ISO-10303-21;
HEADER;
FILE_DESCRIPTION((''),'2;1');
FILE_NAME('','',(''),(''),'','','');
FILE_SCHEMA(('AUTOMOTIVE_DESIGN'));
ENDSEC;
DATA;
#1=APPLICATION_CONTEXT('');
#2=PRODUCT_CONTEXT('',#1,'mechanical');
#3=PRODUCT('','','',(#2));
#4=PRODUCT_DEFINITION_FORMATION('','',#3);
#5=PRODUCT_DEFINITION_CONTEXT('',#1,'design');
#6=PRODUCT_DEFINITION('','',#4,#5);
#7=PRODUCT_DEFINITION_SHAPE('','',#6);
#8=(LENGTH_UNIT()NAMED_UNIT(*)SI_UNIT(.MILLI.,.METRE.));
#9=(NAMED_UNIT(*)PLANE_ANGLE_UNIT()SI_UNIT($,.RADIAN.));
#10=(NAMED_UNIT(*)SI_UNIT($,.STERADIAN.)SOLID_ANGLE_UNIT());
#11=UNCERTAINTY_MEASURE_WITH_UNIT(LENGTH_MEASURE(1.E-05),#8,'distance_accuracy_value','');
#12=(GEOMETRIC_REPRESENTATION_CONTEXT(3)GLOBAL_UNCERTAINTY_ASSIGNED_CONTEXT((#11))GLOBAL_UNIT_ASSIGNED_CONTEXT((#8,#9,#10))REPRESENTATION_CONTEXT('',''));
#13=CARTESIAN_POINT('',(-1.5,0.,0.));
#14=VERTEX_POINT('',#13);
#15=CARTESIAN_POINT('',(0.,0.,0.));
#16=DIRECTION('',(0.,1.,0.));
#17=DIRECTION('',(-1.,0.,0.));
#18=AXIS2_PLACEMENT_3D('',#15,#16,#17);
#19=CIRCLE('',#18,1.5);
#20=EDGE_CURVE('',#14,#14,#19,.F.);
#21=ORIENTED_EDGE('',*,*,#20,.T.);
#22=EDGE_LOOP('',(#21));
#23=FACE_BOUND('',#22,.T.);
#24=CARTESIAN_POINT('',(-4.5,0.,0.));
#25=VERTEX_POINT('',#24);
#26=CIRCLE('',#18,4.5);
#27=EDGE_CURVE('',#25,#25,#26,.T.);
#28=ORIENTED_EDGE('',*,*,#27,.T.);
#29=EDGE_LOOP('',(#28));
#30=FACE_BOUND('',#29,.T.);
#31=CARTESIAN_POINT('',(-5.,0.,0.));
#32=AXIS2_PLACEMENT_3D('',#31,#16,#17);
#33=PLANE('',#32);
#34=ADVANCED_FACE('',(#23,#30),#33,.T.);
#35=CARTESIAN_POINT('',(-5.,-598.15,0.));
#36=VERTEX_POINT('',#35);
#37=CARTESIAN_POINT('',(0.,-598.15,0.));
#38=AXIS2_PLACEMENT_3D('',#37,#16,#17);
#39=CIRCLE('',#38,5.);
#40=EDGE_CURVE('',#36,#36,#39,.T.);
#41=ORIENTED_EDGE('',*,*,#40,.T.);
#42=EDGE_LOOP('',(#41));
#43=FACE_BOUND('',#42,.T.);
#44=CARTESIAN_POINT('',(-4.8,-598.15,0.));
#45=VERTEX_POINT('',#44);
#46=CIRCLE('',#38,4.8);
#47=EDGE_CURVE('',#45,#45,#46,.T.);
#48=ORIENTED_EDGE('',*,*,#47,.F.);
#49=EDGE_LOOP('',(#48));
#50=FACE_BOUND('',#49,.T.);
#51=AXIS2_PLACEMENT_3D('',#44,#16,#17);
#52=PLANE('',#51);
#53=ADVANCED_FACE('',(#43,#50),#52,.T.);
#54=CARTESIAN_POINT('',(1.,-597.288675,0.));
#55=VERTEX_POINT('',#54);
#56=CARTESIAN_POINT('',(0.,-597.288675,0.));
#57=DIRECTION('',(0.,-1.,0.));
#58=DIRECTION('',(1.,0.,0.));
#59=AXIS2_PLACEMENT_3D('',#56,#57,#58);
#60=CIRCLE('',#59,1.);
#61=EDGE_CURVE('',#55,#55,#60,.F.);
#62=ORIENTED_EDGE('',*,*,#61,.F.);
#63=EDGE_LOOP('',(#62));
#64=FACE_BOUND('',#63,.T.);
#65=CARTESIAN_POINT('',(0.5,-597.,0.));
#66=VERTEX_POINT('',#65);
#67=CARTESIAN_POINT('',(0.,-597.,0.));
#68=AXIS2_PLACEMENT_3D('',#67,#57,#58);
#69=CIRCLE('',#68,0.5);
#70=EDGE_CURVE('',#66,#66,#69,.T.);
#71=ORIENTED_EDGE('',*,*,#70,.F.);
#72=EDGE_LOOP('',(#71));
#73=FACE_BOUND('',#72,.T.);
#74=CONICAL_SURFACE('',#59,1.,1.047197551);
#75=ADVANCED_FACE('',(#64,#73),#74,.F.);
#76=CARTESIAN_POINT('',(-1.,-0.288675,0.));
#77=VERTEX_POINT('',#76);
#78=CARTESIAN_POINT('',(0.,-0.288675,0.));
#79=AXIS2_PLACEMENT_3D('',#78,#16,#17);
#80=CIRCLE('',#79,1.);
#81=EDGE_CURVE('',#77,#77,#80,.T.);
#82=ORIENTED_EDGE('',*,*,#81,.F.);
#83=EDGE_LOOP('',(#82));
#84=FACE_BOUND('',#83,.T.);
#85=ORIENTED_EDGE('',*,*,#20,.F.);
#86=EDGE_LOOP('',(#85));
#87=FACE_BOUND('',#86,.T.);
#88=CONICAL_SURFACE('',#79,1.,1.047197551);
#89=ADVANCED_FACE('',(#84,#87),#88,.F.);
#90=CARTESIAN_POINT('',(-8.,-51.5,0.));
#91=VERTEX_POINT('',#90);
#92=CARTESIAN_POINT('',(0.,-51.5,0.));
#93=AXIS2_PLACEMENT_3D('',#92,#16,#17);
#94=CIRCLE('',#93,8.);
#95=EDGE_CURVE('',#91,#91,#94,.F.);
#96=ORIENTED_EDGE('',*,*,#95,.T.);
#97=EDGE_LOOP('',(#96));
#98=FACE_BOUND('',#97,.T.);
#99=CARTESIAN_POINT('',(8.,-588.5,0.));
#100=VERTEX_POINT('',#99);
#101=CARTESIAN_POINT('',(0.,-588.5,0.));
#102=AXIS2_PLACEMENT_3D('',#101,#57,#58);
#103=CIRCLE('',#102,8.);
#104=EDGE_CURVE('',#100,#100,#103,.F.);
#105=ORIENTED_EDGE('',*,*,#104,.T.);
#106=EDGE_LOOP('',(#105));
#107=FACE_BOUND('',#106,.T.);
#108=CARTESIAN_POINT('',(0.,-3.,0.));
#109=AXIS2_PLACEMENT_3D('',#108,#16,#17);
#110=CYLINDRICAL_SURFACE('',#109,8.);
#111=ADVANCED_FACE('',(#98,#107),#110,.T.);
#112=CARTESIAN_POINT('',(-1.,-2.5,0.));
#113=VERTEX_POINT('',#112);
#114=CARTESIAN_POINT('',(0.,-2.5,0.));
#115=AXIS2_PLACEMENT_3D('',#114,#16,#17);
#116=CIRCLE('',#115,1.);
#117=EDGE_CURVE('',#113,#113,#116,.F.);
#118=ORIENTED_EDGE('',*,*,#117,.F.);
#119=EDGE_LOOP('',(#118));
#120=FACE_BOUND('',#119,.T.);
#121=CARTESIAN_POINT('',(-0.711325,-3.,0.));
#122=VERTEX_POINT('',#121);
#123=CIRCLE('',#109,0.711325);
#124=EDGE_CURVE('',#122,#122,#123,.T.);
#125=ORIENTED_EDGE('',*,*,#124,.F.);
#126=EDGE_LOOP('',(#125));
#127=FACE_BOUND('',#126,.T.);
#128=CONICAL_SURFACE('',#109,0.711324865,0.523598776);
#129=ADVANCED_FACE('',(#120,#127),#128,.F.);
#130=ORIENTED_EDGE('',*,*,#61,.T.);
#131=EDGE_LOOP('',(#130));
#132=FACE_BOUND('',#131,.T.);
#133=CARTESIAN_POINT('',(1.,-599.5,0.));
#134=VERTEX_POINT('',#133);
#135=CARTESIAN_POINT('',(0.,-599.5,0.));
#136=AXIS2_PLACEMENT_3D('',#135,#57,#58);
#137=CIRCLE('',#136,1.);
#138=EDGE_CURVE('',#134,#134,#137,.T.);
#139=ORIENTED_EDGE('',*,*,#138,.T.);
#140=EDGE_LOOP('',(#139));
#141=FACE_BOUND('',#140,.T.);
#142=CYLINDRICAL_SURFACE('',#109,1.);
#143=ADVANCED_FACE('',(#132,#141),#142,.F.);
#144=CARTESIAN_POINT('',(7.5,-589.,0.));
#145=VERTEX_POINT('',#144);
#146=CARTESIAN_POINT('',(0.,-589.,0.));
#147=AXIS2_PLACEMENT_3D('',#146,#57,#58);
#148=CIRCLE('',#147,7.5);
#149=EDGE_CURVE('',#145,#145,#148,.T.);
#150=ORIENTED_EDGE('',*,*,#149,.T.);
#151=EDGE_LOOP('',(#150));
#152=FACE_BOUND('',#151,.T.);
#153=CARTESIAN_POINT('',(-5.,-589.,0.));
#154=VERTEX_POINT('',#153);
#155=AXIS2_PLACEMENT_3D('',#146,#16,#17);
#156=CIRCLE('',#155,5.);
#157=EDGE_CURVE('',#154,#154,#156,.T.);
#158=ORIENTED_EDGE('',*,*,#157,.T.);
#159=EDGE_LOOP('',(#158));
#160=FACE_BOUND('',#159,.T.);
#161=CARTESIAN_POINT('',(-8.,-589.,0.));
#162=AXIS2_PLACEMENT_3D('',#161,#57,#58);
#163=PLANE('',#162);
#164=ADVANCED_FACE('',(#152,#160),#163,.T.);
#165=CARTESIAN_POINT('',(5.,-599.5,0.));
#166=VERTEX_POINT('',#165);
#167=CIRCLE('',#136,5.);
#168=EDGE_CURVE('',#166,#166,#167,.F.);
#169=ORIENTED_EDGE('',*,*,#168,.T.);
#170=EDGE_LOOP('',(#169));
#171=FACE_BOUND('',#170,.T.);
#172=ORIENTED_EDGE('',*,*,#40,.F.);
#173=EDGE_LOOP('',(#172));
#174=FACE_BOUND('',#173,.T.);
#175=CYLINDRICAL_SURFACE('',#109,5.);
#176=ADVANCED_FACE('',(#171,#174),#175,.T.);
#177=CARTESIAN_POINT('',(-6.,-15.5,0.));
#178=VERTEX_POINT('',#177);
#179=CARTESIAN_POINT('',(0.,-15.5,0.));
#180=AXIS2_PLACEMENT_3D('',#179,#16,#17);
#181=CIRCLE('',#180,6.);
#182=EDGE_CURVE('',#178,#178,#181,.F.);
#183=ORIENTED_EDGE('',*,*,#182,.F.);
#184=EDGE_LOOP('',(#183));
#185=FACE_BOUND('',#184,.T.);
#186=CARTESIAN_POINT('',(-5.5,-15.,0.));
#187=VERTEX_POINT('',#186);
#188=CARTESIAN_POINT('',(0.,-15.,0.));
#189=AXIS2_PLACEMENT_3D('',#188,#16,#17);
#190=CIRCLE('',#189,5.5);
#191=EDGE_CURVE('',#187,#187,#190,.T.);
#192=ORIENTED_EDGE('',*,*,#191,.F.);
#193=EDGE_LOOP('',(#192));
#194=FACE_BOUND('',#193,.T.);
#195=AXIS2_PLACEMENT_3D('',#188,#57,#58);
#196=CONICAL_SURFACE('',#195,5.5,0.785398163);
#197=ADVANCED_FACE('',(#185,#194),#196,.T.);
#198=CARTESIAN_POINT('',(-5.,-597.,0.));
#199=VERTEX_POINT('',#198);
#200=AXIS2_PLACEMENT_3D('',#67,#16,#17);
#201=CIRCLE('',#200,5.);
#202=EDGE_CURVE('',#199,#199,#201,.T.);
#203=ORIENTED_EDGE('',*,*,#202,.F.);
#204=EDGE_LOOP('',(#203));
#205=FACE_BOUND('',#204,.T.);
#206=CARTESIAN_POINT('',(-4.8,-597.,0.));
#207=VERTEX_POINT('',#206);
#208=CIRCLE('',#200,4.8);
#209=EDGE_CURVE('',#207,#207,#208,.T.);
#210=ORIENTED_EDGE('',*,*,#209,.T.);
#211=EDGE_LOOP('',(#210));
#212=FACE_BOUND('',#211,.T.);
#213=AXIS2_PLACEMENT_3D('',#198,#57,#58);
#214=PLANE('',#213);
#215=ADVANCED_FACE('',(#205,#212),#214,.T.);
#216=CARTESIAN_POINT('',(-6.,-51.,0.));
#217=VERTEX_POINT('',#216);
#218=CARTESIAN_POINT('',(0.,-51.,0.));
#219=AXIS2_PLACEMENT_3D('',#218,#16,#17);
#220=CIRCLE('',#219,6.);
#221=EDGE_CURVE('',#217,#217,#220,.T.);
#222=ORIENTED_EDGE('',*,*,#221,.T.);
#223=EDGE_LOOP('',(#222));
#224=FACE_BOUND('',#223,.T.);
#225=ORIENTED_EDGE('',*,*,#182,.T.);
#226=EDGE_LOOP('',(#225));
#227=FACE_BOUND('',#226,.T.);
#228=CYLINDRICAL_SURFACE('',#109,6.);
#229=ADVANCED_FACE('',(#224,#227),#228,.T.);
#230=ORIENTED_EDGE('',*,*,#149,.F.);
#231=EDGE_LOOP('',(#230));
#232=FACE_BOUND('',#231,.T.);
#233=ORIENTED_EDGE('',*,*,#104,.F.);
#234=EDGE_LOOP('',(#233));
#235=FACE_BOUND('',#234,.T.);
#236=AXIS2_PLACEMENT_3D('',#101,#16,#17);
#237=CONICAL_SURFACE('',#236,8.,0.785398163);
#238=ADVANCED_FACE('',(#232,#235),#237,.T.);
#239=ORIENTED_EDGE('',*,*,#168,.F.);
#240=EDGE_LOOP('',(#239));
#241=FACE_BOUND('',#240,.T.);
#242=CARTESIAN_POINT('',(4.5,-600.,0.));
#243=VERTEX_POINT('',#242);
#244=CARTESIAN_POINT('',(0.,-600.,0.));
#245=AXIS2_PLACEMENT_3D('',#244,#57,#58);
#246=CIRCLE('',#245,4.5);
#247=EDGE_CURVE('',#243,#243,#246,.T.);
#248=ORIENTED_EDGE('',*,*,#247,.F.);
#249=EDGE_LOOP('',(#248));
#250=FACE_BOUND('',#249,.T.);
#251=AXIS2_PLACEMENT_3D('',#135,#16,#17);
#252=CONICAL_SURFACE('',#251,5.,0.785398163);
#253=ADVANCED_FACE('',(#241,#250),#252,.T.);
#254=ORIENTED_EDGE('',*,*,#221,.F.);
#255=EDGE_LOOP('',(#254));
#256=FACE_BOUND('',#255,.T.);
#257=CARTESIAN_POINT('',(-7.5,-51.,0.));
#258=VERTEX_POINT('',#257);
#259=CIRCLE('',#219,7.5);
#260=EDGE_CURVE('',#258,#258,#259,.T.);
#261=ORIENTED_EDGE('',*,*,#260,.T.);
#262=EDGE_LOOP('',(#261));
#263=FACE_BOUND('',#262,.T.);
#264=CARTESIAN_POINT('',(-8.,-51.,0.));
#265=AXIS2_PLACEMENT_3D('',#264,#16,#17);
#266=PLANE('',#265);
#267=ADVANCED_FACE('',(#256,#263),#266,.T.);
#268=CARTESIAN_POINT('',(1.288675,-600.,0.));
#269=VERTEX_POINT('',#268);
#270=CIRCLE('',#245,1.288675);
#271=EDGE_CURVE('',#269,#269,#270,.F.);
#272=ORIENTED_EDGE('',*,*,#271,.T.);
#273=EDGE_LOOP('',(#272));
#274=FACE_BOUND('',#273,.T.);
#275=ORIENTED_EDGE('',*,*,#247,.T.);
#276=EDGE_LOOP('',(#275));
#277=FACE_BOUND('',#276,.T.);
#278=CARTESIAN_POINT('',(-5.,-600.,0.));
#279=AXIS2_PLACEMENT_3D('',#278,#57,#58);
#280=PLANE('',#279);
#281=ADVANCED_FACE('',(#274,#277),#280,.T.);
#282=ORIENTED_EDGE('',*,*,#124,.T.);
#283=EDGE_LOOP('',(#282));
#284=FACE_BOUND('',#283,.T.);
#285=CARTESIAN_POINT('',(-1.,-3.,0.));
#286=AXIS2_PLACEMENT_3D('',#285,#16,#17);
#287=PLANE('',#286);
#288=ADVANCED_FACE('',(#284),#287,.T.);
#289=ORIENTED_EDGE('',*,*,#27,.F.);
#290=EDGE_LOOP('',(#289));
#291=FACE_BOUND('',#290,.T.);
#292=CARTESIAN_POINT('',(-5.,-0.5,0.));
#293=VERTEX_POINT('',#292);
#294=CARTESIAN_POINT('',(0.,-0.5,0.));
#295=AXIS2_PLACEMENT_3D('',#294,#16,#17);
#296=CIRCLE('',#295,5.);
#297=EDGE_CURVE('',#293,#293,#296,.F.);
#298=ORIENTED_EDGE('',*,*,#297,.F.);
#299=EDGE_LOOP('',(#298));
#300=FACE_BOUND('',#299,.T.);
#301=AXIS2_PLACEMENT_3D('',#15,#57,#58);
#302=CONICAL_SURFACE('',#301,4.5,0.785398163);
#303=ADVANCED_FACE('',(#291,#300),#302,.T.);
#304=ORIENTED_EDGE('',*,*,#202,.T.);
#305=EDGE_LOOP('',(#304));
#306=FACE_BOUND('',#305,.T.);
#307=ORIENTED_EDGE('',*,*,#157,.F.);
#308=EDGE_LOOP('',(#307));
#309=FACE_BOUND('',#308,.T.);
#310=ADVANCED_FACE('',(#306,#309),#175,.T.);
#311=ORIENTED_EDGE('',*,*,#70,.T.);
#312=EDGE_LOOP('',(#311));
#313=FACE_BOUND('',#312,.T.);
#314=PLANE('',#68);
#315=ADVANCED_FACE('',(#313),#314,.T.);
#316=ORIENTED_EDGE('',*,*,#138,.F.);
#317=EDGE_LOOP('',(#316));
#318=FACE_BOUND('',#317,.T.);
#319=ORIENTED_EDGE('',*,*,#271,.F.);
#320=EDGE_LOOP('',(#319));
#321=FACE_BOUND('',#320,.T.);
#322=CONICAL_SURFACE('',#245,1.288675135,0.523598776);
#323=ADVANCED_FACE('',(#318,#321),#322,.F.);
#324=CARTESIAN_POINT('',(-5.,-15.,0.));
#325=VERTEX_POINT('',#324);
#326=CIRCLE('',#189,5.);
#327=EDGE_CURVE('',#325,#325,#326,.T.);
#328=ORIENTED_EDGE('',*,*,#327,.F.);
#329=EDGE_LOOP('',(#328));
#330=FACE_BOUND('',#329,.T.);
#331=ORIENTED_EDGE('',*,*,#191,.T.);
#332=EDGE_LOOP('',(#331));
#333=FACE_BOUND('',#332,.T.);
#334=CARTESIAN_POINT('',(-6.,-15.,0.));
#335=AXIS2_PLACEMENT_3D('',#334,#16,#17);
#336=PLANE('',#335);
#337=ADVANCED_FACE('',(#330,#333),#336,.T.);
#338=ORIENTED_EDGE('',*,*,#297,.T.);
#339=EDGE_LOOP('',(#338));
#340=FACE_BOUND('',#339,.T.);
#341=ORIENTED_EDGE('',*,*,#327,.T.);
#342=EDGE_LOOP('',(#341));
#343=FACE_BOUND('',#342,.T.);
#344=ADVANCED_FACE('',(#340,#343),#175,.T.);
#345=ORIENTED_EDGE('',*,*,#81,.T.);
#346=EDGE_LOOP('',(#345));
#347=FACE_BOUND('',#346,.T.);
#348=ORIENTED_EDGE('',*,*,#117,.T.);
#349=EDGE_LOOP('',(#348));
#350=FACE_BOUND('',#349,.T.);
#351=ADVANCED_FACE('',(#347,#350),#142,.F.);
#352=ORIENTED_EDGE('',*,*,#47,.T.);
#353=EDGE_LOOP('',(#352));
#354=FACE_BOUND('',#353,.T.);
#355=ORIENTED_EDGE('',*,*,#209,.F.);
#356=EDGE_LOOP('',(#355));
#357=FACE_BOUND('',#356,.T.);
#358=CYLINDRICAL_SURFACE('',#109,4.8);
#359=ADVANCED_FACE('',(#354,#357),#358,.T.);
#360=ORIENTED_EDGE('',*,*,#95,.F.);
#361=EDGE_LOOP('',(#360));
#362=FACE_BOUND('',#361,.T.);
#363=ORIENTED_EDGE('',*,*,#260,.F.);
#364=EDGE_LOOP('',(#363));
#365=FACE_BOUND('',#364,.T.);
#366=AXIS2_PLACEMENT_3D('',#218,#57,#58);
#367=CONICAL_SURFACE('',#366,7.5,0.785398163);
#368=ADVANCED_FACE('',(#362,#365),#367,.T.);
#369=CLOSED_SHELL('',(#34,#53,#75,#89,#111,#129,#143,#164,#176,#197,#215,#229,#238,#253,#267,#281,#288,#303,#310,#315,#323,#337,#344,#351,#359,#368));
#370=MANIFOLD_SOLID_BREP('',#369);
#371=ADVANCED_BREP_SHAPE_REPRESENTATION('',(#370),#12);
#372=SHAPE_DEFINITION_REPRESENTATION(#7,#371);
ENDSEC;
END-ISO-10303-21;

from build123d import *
from OCP.BRepFilletAPI import BRepFilletAPI_MakeChamfer

# Parameters (mm, degrees)
CHAMFER1_SIZE  = 0.5
CHAMFER2_SIZE  = 0.5
CHAMFER2_SIZE2 = 0.288675135


with BuildPart() as part:
    # Sketch1 → Revolve1 (revolve)
    with BuildSketch(Plane.XY):
        Polygon((-8, -51), (-8, -589), (-5, -589), (-5, -597), (-4.8, -597), (-4.8, -598.15), (-5, -598.15), (-5, -600), (-1, -600), (-1, -597), (0, -597), (0, -3), (-1, -3), (-1, 0), (-5, 0), (-5, -15), (-6, -15), (-6, -51), align=None)
    revolve(axis=Axis((0, -3, 0), (0, -1, 0)))

    # Chamfer1
    chamfer1_edges = [part.edges().sort_by_distance(p)[0] for p in [
        (6, -15, 0),
        (8, -51, 0),
        (8, -589, 0),
        (5, -600, 0),
        (5, 0, 0),
    ]]
    chamfer(chamfer1_edges, length=CHAMFER1_SIZE)

    # Chamfer2: one chamfer whose edges measure the first distance from different faces: ONE call of the kernel's chamfer builder (chamfer() names one face for all edges)
    chamfer2_edges_1 = [part.edges().sort_by_distance(p)[0] for p in [
        (1, -600, 0),
    ]]
    chamfer2_side_1 = [part.faces().sort_by_distance(p)[0] for p in [
        (1, -598.5, 0),
    ]]
    chamfer2_edges_2 = [part.edges().sort_by_distance(p)[0] for p in [
        (1, -597, 0),
    ]]
    chamfer2_side_2 = [part.faces().sort_by_distance(p)[0] for p in [
        (0, -597, 0),
    ]]
    chamfer2_edges_3 = [part.edges().sort_by_distance(p)[0] for p in [
        (1, -3, 0),
    ]]
    chamfer2_side_3 = [part.faces().sort_by_distance(p)[0] for p in [
        (1, -1.5, 0),
    ]]
    chamfer2_edges_4 = [part.edges().sort_by_distance(p)[0] for p in [
        (1, 0, 0),
    ]]
    chamfer2_side_4 = [part.faces().sort_by_distance(p)[0] for p in [
        (4.372720779, 0, 0),
    ]]
    chamfer2 = BRepFilletAPI_MakeChamfer(part.part.solid().wrapped)
    for e in chamfer2_edges_1:
        chamfer2.Add(CHAMFER2_SIZE, CHAMFER2_SIZE2, e.wrapped, chamfer2_side_1[0].wrapped)  # the first distance lies on this face
    for e in chamfer2_edges_2:
        chamfer2.Add(CHAMFER2_SIZE, CHAMFER2_SIZE2, e.wrapped, chamfer2_side_2[0].wrapped)  # the first distance lies on this face
    for e in chamfer2_edges_3:
        chamfer2.Add(CHAMFER2_SIZE, CHAMFER2_SIZE2, e.wrapped, chamfer2_side_3[0].wrapped)  # the first distance lies on this face
    for e in chamfer2_edges_4:
        chamfer2.Add(CHAMFER2_SIZE, CHAMFER2_SIZE2, e.wrapped, chamfer2_side_4[0].wrapped)  # the first distance lies on this face
    add(Compound.cast(chamfer2.Shape()), mode=Mode.REPLACE)


solid = part.part
